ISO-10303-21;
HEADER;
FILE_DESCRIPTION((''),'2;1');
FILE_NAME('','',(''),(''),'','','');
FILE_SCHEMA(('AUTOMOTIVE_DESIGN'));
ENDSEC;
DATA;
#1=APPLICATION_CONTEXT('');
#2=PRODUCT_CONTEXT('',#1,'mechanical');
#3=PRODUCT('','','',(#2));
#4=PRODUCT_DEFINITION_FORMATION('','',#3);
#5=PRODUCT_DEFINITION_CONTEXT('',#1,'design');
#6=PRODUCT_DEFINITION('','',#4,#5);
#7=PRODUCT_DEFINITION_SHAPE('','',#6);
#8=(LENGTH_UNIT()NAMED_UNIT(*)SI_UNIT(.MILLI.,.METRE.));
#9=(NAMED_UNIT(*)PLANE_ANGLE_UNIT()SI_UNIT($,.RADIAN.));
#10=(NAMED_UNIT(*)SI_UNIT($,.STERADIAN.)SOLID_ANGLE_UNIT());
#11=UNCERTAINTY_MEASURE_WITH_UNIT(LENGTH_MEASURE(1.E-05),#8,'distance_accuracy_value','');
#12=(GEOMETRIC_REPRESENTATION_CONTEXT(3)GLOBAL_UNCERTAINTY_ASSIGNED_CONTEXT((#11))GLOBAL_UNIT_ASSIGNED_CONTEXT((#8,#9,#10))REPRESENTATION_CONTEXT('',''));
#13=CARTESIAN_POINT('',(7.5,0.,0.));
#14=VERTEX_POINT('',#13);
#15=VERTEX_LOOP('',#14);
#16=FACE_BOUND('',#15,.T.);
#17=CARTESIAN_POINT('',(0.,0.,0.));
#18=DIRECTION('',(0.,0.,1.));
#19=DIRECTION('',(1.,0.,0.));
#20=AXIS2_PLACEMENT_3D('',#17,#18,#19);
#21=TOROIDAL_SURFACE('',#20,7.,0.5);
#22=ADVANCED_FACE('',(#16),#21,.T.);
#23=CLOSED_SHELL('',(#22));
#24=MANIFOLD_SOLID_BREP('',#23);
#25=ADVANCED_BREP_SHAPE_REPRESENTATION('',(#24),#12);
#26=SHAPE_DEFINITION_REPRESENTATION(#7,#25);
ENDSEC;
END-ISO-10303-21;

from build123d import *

# Parameters (mm, degrees)
SKETCH3_R = 0.5


with BuildPart() as part:
    # Sketch3 → Revolve1 (revolve)
    with BuildSketch(Plane(origin=(0, 0, 0), x_dir=(1, 0, 0), z_dir=(0, 1, 0))):
        with Locations((7, 0)):
            Circle(SKETCH3_R)
    revolve(axis=Axis((0, 0, 0.5), (0, 0, -1)))


solid = part.part
